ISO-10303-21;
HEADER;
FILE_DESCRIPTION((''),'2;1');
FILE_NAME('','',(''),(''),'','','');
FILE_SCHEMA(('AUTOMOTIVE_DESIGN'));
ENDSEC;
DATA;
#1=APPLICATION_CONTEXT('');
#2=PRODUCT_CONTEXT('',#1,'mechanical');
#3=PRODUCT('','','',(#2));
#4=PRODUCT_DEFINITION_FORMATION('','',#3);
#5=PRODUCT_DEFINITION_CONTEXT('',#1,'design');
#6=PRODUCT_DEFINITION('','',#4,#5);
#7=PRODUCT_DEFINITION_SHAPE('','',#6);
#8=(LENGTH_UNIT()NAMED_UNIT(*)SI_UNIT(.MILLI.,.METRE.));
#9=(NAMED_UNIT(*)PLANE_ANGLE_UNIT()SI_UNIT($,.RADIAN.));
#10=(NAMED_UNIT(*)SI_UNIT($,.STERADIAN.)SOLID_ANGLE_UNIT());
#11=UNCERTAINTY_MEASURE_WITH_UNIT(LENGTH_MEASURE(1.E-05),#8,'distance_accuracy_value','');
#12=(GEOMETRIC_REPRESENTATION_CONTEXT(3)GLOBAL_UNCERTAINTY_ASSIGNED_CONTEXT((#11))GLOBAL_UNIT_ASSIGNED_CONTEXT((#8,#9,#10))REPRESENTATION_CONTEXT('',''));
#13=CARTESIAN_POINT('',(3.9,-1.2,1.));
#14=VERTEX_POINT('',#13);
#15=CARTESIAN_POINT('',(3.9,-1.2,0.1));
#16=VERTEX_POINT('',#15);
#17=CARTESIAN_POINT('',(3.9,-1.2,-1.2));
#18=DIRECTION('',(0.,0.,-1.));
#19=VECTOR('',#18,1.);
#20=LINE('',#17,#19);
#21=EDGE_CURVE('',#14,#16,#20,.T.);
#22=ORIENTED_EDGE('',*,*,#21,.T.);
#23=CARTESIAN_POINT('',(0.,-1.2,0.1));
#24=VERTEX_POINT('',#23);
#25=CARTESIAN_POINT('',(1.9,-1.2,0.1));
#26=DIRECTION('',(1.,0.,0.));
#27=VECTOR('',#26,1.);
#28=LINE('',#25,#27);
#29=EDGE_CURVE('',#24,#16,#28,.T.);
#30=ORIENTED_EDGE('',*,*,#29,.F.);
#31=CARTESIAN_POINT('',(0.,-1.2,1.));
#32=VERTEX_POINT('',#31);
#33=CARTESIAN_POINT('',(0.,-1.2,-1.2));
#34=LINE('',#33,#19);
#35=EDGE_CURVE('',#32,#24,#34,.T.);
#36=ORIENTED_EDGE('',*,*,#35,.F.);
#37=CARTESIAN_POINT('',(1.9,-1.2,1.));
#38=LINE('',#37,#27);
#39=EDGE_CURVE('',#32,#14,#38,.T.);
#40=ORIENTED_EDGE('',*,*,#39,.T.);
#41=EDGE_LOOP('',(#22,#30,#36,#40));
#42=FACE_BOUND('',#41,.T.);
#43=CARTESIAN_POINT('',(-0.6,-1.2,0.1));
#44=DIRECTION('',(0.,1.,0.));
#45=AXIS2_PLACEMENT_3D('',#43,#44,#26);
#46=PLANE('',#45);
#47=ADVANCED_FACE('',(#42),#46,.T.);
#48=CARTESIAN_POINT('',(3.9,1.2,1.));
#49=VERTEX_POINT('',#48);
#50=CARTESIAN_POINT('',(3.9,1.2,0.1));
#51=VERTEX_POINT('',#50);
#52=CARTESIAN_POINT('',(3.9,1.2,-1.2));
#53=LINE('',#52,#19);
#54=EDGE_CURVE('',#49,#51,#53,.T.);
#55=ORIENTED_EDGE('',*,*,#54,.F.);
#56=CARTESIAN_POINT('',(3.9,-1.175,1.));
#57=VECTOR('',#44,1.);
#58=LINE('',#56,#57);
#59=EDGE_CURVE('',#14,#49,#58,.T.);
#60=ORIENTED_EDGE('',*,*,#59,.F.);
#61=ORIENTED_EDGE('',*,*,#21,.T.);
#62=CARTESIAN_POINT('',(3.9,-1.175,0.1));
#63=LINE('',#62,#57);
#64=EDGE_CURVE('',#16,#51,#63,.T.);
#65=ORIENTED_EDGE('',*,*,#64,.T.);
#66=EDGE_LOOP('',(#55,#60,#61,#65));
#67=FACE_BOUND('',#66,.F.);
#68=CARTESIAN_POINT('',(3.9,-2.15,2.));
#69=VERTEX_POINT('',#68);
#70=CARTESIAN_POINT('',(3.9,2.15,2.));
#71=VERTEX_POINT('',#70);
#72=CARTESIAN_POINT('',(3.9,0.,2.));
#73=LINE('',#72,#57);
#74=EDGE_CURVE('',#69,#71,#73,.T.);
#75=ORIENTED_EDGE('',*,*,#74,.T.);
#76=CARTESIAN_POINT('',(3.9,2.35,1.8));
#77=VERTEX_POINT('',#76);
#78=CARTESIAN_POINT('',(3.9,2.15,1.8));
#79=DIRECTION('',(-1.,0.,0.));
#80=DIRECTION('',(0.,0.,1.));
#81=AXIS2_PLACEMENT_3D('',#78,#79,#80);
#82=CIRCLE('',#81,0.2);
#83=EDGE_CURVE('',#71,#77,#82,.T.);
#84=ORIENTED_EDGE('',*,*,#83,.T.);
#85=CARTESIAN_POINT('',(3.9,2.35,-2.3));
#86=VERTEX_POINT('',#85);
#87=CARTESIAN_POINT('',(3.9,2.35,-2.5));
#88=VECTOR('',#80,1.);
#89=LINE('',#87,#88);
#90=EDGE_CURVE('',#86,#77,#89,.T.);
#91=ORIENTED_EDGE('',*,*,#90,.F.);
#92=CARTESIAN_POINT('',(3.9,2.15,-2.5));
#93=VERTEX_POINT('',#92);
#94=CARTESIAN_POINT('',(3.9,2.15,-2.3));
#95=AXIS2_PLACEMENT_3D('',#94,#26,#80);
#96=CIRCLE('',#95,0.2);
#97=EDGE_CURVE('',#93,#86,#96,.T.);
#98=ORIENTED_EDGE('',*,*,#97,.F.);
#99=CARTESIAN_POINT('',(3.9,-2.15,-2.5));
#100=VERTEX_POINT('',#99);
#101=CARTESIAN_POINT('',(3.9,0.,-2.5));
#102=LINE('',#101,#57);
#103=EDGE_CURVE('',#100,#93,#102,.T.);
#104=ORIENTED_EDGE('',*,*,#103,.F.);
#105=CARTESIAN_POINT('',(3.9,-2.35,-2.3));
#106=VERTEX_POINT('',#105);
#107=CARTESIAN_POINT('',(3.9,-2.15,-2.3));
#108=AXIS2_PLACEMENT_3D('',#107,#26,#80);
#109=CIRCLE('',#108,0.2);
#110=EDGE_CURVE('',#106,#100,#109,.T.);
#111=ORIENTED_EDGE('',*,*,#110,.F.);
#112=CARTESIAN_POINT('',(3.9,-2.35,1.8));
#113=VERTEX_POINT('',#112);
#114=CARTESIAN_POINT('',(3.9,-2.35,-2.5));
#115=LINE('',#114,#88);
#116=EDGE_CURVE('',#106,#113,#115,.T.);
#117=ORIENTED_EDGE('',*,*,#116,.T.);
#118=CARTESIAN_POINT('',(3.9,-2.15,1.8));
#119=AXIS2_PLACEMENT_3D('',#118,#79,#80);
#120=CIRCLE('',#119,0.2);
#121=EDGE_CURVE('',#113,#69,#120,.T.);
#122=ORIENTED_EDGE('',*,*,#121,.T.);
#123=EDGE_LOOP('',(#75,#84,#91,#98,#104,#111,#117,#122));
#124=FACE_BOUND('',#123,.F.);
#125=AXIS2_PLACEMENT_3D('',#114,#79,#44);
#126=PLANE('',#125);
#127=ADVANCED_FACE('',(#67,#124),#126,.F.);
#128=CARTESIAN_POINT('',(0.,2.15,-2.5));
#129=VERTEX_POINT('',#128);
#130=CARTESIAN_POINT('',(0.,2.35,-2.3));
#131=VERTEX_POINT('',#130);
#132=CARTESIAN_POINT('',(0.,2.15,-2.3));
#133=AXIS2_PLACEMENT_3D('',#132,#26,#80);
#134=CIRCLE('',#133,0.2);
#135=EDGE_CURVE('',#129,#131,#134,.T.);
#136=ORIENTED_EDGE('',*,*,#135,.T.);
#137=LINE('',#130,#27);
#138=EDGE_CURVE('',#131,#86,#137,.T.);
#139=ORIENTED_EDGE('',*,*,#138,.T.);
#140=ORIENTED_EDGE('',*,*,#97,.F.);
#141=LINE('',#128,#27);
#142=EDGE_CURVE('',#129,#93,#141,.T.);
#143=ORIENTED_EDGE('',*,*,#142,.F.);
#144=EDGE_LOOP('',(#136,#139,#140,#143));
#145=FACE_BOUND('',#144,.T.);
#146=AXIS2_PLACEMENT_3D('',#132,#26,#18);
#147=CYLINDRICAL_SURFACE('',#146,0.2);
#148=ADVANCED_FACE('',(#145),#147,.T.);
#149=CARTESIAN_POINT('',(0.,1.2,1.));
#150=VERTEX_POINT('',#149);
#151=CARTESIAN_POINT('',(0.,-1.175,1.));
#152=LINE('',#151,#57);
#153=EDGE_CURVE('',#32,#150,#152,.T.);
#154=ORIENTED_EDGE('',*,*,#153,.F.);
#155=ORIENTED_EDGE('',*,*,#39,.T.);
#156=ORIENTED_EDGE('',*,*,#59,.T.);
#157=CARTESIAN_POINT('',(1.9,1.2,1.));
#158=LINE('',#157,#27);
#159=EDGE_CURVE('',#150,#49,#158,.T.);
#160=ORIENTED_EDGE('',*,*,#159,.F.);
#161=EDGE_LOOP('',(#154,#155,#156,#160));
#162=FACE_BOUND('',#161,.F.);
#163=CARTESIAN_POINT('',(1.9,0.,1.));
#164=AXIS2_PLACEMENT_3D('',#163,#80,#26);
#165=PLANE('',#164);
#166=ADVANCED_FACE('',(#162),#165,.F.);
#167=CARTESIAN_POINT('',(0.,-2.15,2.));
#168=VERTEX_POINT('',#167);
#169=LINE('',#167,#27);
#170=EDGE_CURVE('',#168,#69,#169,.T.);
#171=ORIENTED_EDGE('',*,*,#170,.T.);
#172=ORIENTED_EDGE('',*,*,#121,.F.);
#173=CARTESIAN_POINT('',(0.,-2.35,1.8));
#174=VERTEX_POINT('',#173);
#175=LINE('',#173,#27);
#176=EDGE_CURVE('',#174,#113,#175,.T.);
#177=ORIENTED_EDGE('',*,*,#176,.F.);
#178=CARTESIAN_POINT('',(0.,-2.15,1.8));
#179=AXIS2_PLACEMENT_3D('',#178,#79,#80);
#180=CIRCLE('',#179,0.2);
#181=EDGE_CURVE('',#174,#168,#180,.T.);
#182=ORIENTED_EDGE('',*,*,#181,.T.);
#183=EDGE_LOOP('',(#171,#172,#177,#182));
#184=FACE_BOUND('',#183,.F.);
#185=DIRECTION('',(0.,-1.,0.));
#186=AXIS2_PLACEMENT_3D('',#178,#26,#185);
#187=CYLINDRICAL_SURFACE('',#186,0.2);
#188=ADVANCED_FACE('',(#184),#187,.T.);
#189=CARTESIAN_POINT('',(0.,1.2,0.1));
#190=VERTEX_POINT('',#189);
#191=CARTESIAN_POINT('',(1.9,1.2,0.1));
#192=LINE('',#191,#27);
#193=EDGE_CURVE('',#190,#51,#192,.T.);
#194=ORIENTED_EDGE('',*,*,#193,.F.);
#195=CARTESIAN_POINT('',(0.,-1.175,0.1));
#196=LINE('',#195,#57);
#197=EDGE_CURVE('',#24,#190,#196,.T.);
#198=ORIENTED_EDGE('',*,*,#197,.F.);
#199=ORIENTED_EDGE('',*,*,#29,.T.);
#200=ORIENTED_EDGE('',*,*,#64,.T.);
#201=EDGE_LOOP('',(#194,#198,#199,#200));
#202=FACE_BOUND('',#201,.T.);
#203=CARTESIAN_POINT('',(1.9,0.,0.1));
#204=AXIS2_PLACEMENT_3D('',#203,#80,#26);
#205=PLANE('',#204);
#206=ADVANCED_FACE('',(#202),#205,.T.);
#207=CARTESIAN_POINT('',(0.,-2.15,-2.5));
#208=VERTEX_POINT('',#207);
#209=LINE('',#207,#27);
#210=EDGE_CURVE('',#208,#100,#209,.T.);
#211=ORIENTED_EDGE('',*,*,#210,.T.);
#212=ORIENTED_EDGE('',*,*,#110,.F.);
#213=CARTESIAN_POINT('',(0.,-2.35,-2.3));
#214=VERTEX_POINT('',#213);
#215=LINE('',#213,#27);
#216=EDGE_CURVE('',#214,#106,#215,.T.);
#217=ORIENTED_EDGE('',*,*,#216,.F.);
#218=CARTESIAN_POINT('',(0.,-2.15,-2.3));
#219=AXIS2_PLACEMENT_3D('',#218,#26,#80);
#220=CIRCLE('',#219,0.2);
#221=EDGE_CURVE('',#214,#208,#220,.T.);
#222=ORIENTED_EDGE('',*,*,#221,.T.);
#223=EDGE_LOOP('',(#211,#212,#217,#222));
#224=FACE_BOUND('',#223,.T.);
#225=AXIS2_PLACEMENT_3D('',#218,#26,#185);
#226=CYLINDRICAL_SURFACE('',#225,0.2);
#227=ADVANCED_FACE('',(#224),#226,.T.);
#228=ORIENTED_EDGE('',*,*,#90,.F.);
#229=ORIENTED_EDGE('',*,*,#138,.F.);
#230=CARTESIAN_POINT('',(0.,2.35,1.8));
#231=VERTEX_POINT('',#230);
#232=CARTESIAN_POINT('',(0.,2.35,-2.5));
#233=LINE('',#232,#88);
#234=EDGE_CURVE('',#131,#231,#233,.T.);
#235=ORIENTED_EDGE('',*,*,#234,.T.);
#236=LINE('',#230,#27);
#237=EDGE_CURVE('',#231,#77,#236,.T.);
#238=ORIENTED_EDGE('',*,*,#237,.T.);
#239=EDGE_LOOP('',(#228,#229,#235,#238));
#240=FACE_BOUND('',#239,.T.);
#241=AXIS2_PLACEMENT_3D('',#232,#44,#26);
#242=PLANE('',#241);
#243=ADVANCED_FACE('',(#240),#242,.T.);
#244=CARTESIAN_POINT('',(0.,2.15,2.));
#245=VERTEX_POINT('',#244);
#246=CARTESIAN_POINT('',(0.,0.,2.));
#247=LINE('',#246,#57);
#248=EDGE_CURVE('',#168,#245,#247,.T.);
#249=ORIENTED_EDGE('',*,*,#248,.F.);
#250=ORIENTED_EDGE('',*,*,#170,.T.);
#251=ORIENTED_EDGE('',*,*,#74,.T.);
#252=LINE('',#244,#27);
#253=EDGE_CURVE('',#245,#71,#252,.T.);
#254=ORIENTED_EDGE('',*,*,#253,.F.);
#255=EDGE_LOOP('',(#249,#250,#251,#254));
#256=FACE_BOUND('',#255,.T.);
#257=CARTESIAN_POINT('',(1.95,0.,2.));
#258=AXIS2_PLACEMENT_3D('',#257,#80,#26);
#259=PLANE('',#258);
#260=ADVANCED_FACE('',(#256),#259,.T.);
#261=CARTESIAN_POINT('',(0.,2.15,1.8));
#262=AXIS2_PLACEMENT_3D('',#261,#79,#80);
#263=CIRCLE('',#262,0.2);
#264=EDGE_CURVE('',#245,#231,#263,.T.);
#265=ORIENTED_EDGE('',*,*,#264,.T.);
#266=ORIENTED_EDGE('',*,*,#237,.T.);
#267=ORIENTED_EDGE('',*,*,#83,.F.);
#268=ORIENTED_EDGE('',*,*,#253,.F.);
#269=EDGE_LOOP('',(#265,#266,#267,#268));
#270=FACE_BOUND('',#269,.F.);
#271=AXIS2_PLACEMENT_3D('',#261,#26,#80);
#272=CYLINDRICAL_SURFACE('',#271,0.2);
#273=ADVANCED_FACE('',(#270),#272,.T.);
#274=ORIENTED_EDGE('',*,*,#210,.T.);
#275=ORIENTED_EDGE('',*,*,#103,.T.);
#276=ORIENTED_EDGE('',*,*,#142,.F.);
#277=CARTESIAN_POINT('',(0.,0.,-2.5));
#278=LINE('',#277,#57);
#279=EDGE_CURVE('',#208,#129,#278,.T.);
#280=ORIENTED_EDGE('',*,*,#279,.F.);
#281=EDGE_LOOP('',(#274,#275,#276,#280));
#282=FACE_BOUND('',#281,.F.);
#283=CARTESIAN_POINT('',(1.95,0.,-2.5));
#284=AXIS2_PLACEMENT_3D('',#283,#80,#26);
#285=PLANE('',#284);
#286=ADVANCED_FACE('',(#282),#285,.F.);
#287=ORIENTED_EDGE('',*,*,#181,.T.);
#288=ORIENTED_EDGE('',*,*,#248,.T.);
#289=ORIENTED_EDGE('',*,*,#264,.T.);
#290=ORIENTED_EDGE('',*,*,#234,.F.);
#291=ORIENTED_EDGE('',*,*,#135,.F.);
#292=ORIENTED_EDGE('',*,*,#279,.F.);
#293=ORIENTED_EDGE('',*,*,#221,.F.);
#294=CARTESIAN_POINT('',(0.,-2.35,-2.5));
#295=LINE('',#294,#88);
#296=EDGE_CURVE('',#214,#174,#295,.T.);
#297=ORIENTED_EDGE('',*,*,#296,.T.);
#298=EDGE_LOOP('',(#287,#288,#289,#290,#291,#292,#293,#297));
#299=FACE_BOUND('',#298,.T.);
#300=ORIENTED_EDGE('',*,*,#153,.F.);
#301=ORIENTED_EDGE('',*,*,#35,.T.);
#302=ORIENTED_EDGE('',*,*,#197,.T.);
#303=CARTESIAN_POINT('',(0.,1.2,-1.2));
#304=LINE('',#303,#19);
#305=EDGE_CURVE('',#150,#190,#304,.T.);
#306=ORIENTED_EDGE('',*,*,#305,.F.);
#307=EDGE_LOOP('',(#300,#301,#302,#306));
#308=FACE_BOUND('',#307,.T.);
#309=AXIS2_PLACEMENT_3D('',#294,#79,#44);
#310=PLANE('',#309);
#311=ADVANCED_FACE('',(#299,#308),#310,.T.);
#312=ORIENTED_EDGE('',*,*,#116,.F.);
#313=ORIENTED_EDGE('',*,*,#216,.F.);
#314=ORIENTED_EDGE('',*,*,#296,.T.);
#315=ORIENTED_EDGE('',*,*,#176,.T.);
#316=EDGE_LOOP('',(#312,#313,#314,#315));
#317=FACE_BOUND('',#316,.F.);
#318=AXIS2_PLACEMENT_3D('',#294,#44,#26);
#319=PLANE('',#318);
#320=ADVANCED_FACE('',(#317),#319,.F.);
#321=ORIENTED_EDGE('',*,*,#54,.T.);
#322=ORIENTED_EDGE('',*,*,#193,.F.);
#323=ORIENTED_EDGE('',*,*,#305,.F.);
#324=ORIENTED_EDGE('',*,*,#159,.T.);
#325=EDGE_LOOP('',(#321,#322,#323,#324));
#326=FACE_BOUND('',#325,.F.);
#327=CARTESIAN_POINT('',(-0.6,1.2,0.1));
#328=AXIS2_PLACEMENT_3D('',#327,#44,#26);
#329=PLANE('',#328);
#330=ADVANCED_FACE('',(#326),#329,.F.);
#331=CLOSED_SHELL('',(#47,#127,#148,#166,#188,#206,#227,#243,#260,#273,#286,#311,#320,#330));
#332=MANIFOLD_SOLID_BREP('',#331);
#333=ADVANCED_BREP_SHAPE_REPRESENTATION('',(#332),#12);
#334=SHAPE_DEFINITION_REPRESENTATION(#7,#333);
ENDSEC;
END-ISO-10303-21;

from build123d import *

# Parameters (mm, degrees)
BOX001_W     = 5
BOX001_H     = 2.4
BOX001_DEPTH = 0.9
BOX_W        = 3.9
BOX_H        = 4.7
BOX_DEPTH    = 4.5
FILLET_R     = 0.2


with BuildPart() as w_rfel001:
    # Box001 → Box001 (new body)
    with BuildSketch(Plane(origin=(-0.6, 1.15, 2.6), x_dir=(1, 0, 0), z_dir=(0, 0, 1))):
        with Locations((2.5, 1.2)):
            Rectangle(BOX001_W, BOX001_H)
    extrude(amount=BOX001_DEPTH)


with BuildPart() as fillet_body:
    # Box → Box (new body)
    with BuildSketch(Plane.XY):
        with Locations((1.95, 2.35)):
            Rectangle(BOX_W, BOX_H)
    extrude(amount=BOX_DEPTH)

    # Cut: cut Würfel001
    add(w_rfel001.part, mode=Mode.SUBTRACT)

    # Fillet
    fillet_edges = [fillet_body.edges().sort_by_distance(p)[0] for p in [
        (1.95, 0, 0),
        (1.95, 0, 4.5),
        (1.95, 4.7, 4.5),
        (1.95, 4.7, 0),
    ]]
    fillet(fillet_edges, radius=FILLET_R)


with BuildPart() as fillet_body_1:
    # Fillet placement: moved
    add(fillet_body.part.moved(Location((0, -2.35, -2.5))))


solid = fillet_body_1.part
